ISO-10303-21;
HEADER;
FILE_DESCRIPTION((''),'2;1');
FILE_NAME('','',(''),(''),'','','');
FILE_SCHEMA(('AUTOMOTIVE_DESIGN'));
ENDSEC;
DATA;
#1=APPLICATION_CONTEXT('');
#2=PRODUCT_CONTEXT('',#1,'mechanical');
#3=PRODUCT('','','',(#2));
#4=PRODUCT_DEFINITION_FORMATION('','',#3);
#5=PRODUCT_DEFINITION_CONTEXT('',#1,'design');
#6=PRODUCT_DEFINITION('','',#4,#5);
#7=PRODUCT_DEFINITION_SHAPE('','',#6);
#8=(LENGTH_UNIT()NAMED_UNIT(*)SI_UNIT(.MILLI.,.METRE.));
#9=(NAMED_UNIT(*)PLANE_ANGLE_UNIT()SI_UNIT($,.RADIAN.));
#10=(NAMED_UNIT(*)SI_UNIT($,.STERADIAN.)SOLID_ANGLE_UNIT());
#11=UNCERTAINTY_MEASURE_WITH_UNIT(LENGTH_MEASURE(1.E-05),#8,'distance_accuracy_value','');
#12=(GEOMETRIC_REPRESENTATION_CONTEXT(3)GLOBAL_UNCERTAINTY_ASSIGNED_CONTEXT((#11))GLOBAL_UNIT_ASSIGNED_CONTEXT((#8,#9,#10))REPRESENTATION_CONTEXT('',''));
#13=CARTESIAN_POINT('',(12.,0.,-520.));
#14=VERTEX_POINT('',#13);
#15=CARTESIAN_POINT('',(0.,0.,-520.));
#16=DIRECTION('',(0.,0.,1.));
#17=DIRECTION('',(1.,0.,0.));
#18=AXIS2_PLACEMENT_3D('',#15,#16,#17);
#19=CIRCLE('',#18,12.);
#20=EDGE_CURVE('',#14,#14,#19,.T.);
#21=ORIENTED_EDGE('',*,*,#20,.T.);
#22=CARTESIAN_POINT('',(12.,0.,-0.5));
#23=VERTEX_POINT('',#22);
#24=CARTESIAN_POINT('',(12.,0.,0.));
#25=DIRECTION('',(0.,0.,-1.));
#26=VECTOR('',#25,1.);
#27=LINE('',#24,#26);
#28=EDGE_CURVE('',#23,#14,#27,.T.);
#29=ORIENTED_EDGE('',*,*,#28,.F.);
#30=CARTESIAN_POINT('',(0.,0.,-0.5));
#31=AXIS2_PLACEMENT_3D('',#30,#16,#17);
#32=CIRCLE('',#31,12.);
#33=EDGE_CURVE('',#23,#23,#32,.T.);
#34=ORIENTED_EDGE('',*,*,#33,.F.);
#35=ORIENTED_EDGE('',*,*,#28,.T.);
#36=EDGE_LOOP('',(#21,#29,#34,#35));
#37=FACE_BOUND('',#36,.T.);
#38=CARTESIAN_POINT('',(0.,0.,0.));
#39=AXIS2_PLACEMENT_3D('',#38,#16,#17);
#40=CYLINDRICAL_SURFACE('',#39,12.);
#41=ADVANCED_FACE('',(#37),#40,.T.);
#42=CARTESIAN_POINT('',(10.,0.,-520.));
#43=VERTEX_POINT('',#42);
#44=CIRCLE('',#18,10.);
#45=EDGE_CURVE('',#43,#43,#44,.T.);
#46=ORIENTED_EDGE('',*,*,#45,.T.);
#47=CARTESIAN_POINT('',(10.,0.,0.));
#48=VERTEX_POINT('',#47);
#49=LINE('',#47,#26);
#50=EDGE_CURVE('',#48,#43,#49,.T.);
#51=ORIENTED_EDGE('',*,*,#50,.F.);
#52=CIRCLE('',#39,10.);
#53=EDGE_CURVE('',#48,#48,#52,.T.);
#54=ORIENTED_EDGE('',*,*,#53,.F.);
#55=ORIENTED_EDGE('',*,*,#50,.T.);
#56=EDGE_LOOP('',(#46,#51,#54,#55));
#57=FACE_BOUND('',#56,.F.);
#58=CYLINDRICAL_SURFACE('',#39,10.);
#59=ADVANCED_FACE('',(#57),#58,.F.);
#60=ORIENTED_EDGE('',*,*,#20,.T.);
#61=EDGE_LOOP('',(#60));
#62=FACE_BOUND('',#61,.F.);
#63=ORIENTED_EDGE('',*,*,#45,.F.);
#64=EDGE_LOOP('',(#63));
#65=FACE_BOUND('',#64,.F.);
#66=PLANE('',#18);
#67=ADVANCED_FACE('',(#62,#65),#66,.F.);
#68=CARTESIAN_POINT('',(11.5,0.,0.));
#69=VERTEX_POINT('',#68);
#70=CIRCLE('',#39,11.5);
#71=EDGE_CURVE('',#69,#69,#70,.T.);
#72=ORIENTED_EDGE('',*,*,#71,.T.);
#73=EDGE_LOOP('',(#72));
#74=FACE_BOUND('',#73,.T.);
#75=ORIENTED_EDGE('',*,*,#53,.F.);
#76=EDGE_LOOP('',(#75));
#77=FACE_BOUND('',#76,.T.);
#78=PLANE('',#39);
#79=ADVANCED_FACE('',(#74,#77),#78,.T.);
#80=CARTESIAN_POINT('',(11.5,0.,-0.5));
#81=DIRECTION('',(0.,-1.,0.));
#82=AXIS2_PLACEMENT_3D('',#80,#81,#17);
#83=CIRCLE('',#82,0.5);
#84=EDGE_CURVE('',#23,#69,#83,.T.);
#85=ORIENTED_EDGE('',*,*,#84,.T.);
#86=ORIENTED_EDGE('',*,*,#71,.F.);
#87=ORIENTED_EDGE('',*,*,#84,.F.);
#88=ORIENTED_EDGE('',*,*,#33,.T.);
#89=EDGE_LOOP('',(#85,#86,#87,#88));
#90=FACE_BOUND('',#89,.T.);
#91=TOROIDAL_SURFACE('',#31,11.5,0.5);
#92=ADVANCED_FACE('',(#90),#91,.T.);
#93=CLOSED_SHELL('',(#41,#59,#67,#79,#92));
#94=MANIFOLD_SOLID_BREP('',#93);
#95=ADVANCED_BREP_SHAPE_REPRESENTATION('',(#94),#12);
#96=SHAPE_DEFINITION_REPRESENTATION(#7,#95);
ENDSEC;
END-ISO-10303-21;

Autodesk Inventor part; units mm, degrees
ref_plane "YZ Plane" through (0, 0, 0) normal (1, 0, 0) x (0, 1, 0)
ref_plane "XZ Plane" through (0, 0, 0) normal (0, 1, 0) x (-1, 0, 0)
ref_plane "XY Plane" through (0, 0, 0) normal (0, 0, 1) x (1, 0, 0)
sketch "Sketch1" plane through (0, 0, 0) normal (0, 0, 1) x (1, 0, 0)
  circle A0 centre (0, 0) radius 10
  circle A1 centre (0, 0) radius 12
  dimension "d0" = 20
  dimension "d1" = 2
extrude "Extrusion1" add sketch "Sketch1" against normal blind 520
fillet "Fillet1" radius 0.5 1 edges at (-12, 0, 0)
properties part number "InternalGlassTube" material "Glass"
